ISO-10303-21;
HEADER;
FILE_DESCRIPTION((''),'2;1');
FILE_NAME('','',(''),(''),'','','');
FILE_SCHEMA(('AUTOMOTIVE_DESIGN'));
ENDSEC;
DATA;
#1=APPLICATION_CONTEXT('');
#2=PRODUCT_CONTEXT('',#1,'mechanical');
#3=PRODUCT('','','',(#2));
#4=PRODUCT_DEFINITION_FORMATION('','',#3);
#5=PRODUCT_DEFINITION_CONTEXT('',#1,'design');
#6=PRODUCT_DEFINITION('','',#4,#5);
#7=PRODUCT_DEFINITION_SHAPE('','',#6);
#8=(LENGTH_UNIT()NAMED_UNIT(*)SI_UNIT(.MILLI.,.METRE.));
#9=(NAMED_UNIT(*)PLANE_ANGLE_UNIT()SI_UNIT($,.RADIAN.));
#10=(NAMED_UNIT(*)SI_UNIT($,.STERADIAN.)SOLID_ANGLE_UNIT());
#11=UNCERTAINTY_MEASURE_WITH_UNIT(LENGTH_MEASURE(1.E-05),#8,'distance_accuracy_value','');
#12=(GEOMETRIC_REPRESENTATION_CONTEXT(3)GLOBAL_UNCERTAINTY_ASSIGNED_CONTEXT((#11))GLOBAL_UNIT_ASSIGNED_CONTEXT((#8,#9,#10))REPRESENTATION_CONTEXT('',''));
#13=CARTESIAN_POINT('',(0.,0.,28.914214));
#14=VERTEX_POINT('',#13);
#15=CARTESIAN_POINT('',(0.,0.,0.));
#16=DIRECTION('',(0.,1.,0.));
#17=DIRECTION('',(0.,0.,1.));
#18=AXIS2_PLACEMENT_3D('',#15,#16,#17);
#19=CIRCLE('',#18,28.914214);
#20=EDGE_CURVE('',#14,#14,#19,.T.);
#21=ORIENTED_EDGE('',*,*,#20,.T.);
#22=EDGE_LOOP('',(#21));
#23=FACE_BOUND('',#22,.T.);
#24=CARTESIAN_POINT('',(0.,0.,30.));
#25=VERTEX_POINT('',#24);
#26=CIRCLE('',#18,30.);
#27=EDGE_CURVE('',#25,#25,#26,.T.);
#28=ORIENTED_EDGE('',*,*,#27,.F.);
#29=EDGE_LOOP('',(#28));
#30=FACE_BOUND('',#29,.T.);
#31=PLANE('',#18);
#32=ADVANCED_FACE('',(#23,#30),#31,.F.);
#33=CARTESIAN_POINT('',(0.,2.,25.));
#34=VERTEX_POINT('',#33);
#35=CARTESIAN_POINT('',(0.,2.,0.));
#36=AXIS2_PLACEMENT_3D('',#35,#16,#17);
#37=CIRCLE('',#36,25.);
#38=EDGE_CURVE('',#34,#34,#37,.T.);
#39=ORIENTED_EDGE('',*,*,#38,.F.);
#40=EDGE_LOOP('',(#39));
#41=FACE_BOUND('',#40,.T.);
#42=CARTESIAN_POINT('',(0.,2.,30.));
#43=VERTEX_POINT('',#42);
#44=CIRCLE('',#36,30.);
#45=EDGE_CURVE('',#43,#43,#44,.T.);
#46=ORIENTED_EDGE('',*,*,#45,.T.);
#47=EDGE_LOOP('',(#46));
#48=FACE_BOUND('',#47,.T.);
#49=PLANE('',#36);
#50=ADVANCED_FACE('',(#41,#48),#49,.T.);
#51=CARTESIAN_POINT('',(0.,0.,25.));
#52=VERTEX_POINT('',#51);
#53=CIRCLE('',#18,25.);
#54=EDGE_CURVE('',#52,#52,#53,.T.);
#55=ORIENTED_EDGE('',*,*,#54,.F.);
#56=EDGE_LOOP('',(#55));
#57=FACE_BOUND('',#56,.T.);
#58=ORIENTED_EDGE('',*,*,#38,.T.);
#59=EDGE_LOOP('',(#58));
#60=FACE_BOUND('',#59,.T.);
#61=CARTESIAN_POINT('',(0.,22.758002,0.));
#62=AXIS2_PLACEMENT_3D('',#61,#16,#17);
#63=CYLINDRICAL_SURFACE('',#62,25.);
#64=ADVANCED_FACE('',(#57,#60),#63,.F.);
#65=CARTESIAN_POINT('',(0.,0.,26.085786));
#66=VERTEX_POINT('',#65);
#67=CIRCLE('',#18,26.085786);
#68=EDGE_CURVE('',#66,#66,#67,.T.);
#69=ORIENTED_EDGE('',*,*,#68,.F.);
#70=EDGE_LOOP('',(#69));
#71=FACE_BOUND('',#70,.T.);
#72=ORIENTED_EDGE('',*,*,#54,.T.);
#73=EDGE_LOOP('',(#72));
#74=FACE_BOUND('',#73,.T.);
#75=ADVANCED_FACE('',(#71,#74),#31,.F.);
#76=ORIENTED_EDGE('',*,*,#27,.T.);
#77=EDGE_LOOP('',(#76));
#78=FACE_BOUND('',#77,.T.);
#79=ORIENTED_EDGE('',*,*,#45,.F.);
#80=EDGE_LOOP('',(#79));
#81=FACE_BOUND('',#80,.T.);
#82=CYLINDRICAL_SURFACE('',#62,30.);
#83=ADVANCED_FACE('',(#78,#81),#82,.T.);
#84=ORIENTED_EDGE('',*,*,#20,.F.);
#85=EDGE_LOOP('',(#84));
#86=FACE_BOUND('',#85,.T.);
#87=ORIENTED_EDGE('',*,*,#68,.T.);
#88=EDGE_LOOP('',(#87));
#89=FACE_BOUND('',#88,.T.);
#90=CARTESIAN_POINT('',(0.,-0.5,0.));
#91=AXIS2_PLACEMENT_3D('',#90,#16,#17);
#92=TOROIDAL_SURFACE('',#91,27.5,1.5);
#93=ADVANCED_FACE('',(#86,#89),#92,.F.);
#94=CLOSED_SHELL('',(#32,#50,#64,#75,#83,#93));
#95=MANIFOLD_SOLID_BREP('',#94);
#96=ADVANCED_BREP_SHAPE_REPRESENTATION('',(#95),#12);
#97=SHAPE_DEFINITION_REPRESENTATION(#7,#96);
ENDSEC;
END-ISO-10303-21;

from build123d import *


with BuildPart() as part:
    # Эскиз2 → Повернуть1 (revolve)
    with BuildSketch(Plane.XY):
        with BuildLine():
            Line((25, 2), (25, 0))
            Line((25, 0), (26.085786438, 0))
            ThreePointArc((26.085786438, 0), (27.5, 1), (28.914213562, 0))
            Line((28.914213562, 0), (30, 0))
            Line((30, 0), (30, 2))
            Line((30, 2), (25, 2))
        make_face()
    revolve(axis=Axis((0, 22.758002115, 0), (0, -1, 0)))


solid = part.part
